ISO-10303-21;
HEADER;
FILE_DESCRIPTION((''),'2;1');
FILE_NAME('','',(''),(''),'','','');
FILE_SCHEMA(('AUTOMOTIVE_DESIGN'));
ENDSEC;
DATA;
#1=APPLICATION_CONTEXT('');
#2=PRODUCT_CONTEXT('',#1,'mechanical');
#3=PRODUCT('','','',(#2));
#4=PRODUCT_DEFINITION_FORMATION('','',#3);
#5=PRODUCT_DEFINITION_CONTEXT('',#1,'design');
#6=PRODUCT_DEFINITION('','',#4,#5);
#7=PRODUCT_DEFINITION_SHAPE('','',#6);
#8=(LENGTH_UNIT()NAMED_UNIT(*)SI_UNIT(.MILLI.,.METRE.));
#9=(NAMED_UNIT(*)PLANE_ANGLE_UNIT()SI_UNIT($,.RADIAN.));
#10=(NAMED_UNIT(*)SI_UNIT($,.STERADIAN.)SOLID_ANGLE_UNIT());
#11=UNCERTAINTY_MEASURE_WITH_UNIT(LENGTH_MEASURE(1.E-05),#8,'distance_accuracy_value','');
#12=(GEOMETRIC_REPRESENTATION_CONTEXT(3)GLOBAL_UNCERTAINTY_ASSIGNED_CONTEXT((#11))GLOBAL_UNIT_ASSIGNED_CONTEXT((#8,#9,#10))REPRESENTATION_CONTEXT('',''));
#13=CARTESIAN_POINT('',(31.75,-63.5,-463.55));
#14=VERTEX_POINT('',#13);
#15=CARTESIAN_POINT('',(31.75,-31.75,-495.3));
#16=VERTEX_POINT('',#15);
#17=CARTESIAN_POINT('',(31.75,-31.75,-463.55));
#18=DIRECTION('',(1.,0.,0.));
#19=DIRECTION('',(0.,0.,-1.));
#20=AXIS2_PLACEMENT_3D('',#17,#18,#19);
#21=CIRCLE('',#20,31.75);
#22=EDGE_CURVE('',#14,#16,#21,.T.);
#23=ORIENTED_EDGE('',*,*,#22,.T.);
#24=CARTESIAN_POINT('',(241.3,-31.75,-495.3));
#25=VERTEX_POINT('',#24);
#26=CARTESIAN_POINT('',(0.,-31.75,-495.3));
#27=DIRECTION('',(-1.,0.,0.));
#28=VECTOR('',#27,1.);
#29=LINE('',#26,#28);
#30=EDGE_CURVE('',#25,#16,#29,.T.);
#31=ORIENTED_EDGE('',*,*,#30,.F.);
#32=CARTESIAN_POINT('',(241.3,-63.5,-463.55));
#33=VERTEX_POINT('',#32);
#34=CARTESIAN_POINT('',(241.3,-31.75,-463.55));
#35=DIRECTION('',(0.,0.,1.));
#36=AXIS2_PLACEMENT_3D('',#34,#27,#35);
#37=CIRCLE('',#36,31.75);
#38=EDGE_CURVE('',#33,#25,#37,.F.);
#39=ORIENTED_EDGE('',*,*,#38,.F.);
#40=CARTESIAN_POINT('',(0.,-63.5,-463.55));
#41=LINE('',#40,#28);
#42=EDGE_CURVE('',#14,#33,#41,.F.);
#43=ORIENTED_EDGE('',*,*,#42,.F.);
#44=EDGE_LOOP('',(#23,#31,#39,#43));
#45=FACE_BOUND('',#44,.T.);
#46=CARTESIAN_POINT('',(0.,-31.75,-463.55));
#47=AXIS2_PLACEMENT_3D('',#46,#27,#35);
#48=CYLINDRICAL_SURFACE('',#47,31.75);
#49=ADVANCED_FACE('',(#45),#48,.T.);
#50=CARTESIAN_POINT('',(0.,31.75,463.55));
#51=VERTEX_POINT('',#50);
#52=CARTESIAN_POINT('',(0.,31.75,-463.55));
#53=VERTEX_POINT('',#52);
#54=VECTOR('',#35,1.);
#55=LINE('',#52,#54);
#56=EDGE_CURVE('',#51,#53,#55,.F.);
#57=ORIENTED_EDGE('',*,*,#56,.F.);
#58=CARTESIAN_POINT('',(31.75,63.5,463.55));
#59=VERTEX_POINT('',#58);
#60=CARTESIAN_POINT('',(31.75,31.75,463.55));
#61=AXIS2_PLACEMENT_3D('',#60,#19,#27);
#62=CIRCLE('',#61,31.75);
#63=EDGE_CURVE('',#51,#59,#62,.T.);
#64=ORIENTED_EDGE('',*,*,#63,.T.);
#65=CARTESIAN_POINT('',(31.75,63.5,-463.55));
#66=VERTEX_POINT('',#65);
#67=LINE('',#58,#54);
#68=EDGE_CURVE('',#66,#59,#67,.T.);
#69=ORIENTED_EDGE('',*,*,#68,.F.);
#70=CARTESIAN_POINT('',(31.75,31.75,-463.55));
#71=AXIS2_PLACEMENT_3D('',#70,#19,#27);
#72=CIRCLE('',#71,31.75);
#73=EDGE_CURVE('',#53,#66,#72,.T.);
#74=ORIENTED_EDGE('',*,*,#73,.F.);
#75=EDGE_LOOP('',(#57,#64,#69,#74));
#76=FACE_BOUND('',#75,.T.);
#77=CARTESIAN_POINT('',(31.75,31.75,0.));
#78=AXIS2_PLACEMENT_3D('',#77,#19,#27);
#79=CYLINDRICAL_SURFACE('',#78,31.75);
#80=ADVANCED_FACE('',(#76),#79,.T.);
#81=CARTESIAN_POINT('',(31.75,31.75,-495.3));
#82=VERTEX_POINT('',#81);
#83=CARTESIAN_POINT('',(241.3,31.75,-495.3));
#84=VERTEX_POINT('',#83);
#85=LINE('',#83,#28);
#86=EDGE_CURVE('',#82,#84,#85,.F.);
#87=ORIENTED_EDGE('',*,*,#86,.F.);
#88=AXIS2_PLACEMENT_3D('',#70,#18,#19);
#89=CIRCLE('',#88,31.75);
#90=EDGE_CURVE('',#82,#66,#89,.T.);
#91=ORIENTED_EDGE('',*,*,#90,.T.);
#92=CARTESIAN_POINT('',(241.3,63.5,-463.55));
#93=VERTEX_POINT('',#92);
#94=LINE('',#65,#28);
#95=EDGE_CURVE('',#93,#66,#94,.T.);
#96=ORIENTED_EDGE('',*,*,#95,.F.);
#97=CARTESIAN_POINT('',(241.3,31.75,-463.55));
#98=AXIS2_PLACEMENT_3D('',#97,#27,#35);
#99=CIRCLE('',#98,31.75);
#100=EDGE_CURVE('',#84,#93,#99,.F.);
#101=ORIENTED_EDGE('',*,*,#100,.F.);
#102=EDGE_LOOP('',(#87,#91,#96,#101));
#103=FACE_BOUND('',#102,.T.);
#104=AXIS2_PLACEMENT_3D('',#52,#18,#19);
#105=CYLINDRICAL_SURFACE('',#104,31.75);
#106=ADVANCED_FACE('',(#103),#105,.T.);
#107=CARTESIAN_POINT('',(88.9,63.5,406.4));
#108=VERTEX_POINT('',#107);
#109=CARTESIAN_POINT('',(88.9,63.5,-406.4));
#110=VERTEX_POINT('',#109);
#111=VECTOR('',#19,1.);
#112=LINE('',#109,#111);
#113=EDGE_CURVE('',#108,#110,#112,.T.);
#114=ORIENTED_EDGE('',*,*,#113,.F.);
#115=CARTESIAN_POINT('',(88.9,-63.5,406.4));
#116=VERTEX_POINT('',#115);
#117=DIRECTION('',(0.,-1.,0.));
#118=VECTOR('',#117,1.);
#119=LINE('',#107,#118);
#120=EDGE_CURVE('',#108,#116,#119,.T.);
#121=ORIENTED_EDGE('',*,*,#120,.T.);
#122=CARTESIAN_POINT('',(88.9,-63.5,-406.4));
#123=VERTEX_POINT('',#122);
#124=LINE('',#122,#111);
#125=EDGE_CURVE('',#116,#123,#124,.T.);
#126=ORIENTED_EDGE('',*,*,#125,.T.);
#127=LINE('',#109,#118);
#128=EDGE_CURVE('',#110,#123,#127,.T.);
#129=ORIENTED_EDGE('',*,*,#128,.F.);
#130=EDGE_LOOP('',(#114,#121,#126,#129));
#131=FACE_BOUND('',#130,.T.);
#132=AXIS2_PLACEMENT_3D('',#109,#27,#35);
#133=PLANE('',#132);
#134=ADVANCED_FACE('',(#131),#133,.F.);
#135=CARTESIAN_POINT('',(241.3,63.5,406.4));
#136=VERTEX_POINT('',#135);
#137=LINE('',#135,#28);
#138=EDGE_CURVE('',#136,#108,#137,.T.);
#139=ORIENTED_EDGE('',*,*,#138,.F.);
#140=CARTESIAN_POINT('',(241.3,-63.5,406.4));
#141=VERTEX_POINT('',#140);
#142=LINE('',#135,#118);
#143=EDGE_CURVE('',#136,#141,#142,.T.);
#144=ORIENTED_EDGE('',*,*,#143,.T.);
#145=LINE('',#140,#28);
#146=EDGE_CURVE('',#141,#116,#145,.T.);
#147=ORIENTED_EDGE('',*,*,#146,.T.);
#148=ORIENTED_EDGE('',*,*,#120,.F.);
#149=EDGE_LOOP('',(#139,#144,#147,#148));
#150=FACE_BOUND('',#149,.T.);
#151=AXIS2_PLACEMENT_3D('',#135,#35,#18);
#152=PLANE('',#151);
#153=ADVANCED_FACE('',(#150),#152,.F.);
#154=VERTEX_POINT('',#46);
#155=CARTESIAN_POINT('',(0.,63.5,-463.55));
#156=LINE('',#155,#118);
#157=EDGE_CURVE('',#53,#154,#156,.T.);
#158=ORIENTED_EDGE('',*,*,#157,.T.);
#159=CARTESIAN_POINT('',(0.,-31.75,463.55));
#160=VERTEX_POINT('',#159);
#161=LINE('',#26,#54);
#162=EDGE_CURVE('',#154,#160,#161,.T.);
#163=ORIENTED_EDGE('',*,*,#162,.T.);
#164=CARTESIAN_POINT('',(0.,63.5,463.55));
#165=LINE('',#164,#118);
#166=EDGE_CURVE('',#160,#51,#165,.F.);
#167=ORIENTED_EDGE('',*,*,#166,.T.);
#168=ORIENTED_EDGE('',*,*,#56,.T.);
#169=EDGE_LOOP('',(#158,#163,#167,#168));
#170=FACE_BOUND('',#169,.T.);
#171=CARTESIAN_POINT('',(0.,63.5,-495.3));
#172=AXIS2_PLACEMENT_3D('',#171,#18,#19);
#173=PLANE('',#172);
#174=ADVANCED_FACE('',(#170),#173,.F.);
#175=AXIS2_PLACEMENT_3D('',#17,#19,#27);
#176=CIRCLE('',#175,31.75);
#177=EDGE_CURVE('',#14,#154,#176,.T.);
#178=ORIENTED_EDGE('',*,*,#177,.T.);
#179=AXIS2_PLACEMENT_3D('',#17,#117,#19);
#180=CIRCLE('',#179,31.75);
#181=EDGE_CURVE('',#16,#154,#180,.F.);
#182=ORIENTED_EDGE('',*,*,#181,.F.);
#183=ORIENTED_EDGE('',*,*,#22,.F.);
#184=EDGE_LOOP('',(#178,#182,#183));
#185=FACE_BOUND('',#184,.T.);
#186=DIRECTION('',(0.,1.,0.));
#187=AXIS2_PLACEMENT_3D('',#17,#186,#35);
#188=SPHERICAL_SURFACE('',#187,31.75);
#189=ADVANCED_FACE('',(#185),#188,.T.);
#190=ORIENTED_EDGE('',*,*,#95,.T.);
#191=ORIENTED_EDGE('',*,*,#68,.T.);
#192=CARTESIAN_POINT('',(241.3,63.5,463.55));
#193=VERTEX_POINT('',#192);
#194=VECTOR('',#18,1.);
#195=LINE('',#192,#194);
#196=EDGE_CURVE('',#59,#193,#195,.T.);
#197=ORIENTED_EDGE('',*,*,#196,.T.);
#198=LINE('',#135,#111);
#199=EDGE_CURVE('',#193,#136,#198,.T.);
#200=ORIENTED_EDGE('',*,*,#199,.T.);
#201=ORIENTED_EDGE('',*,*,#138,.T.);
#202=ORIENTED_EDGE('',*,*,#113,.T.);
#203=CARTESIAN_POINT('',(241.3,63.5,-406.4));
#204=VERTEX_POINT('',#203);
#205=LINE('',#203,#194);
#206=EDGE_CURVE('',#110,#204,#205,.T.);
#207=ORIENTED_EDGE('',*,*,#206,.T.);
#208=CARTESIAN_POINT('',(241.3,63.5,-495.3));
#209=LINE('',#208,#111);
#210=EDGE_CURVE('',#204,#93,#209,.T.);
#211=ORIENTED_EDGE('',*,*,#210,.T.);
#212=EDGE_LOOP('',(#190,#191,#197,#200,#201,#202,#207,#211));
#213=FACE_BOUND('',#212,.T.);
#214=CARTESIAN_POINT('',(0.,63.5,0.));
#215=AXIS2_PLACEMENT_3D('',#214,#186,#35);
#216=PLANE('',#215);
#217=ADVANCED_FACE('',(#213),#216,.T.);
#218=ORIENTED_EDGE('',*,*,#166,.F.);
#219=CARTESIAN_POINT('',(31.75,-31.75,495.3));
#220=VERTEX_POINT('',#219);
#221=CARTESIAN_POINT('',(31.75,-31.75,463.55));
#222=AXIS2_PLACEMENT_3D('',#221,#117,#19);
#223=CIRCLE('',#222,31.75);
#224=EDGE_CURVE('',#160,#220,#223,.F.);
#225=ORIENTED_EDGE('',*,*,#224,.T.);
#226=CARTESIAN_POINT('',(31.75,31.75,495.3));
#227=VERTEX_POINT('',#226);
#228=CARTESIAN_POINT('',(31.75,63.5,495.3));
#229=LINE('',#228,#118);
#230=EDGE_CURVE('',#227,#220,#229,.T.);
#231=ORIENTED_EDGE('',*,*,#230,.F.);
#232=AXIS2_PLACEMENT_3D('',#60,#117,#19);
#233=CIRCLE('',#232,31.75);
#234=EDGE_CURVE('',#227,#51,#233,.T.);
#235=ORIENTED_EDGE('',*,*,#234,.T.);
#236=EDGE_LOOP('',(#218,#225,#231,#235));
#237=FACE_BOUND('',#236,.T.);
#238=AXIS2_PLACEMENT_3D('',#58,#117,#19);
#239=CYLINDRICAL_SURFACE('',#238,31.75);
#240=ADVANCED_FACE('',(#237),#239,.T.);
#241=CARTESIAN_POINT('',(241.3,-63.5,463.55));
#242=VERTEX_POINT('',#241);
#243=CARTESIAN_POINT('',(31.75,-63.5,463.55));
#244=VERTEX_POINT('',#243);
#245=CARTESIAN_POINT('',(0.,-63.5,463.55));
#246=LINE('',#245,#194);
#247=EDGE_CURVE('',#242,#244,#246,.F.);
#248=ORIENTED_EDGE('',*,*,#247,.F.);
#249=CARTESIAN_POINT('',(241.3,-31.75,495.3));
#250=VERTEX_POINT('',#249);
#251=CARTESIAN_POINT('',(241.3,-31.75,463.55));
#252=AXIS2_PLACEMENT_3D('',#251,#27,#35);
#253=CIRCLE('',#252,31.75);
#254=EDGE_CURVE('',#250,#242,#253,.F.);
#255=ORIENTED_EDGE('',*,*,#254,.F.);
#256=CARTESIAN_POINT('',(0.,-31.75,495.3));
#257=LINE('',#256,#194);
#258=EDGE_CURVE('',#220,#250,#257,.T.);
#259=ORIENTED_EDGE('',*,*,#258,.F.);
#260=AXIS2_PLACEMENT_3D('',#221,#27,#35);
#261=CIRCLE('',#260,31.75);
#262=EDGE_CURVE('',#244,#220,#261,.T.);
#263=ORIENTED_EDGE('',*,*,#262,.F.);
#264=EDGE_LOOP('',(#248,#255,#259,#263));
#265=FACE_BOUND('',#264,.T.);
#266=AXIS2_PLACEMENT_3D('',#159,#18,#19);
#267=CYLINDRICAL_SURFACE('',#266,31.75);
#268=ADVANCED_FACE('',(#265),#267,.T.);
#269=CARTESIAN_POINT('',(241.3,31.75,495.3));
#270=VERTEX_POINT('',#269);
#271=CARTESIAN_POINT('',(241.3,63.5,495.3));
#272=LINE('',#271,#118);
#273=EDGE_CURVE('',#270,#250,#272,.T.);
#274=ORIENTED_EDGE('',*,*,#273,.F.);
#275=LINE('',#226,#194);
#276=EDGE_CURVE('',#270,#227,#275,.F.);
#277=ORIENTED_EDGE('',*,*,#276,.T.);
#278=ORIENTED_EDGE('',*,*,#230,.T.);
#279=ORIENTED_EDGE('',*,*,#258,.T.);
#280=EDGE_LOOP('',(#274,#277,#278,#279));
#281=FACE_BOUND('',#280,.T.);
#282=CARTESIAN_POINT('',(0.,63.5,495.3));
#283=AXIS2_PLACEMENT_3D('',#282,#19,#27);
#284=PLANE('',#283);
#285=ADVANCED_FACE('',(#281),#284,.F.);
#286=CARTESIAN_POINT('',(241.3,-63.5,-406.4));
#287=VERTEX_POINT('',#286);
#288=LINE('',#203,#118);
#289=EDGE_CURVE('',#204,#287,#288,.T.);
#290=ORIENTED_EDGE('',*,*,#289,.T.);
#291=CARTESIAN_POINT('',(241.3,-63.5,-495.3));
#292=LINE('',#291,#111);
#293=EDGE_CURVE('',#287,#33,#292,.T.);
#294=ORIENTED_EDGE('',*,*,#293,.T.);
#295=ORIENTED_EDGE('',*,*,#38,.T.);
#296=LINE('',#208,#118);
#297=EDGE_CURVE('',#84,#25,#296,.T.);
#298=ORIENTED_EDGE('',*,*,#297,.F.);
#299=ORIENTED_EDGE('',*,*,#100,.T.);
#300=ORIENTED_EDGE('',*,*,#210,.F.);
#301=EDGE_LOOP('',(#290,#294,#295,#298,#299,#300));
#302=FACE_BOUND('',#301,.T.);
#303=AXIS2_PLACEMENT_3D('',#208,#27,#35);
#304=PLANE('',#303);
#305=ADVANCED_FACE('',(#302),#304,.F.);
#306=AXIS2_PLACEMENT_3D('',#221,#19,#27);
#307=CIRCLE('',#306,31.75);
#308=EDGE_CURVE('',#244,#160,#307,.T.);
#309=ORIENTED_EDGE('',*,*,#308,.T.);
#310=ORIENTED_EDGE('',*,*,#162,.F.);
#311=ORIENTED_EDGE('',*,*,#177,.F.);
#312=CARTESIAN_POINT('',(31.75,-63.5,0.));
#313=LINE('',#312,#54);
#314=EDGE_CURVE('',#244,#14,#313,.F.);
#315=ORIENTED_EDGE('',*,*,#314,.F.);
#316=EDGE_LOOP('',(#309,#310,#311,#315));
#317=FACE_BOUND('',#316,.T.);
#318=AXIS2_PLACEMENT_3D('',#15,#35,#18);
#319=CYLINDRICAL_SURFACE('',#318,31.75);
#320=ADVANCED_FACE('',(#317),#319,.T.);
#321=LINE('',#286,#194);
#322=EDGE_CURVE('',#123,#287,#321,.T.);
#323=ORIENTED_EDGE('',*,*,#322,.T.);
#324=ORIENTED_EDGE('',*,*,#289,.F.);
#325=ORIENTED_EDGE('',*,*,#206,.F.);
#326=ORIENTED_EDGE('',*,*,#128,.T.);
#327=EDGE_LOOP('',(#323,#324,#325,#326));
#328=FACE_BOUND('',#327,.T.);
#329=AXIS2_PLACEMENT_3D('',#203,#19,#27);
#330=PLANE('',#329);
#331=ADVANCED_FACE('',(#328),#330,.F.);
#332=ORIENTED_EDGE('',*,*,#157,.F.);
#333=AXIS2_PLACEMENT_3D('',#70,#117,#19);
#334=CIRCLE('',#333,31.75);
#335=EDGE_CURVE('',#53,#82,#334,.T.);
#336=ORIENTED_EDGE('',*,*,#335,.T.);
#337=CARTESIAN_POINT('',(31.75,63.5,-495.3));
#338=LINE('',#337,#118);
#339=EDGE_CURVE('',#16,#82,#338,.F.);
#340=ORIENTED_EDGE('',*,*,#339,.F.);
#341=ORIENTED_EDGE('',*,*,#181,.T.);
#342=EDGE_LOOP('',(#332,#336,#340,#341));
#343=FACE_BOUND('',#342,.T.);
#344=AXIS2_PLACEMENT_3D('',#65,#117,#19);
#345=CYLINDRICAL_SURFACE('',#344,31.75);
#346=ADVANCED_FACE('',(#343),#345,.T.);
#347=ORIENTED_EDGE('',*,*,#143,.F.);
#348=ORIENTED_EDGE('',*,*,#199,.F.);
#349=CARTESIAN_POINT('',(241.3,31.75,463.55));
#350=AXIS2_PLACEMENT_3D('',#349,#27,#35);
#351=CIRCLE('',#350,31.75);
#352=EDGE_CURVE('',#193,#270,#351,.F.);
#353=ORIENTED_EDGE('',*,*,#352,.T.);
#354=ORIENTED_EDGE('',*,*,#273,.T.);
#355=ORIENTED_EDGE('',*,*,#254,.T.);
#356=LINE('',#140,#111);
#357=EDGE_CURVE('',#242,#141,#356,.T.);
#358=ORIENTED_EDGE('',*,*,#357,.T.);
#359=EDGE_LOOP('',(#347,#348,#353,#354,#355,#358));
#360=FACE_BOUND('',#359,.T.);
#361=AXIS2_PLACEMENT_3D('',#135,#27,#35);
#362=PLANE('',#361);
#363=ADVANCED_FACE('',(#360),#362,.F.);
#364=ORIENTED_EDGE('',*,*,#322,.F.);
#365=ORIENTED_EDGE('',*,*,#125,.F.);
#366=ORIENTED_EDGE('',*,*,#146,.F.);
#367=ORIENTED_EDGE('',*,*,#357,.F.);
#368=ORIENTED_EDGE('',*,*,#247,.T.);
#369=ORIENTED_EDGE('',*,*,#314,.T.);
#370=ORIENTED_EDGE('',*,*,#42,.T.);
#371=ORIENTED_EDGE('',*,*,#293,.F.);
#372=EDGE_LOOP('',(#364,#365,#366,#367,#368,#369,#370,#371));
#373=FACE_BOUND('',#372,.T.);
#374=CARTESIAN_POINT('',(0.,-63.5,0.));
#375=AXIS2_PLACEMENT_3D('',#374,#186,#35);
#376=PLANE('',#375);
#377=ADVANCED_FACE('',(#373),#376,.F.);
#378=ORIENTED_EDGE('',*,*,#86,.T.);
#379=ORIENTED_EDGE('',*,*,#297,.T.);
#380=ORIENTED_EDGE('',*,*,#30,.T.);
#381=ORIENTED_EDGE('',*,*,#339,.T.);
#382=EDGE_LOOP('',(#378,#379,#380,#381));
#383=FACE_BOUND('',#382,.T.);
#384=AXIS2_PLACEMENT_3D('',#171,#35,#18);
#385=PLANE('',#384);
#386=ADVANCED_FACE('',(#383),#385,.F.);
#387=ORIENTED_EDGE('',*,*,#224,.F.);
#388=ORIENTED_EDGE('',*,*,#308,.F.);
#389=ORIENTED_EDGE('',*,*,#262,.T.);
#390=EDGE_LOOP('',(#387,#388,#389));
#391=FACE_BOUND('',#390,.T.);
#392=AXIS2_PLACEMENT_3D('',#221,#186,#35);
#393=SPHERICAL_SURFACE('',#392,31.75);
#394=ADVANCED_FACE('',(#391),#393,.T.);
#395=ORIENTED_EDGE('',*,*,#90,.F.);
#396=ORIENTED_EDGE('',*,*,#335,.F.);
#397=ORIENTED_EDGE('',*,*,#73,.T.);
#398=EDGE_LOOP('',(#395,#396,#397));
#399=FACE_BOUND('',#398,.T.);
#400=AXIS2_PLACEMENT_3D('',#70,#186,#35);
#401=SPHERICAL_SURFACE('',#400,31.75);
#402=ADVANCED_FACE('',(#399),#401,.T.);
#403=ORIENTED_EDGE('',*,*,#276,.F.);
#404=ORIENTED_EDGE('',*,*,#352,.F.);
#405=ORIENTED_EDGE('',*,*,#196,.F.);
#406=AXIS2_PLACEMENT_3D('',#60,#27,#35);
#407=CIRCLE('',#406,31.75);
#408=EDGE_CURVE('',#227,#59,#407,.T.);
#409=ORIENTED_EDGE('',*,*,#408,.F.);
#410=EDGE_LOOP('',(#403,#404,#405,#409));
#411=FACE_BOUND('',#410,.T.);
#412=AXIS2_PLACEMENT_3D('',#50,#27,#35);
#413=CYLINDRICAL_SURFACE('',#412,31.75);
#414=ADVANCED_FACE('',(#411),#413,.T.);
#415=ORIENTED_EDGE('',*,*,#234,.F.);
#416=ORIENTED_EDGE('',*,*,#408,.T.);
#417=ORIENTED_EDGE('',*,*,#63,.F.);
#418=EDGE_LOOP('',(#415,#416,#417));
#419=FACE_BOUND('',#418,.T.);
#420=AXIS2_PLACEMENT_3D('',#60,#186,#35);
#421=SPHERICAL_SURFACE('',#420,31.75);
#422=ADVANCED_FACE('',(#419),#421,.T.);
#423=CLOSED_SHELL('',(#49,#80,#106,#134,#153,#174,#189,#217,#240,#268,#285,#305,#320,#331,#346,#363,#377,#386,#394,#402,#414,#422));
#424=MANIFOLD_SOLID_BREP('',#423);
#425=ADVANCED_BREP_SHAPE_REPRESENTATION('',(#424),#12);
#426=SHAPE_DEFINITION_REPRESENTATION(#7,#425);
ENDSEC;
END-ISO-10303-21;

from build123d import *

# Parameters (mm, degrees)
BOSS_EXTRUDE1_DEPTH = 63.5
FILLET1_R           = 31.75
FILLET2_R           = 31.75


with BuildPart() as part:
    # Sketch2 → Boss-Extrude1 (new body, symmetric)
    with BuildSketch(Plane(origin=(0, 0, 0), x_dir=(1, 0, 0), z_dir=(0, 1, 0))):
        Polygon((241.3, -406.4), (241.3, -495.3), (0, -495.3), (0, 495.3), (241.3, 495.3), (241.3, 406.4), (88.9, 406.4), (88.9, -406.4), align=None)
    extrude(amount=BOSS_EXTRUDE1_DEPTH, both=True)

    # Fillet1
    fillet1_edges = [part.edges().sort_by_distance(p)[0] for p in [
        (0, 0, -495.3),
        (0, 0, 495.3),
    ]]
    fillet(fillet1_edges, radius=FILLET1_R)

    # Fillet2
    fillet2_edges = [part.edges().sort_by_distance(p)[0] for p in [
        (0, -63.5, 0),
        (0, 63.5, 0),
        (136.525, 63.5, -495.3),
        (136.525, -63.5, 495.3),
        (9.299359697, -63.5, 486.000640303),
        (9.299359697, -63.5, -486.000640303),
        (136.525, 63.5, 495.3),
        (9.299359697, 63.5, 486.000640303),
        (9.299359697, 63.5, -486.000640303),
        (136.525, -63.5, -495.3),
    ]]
    fillet(fillet2_edges, radius=FILLET2_R)


solid = part.part
